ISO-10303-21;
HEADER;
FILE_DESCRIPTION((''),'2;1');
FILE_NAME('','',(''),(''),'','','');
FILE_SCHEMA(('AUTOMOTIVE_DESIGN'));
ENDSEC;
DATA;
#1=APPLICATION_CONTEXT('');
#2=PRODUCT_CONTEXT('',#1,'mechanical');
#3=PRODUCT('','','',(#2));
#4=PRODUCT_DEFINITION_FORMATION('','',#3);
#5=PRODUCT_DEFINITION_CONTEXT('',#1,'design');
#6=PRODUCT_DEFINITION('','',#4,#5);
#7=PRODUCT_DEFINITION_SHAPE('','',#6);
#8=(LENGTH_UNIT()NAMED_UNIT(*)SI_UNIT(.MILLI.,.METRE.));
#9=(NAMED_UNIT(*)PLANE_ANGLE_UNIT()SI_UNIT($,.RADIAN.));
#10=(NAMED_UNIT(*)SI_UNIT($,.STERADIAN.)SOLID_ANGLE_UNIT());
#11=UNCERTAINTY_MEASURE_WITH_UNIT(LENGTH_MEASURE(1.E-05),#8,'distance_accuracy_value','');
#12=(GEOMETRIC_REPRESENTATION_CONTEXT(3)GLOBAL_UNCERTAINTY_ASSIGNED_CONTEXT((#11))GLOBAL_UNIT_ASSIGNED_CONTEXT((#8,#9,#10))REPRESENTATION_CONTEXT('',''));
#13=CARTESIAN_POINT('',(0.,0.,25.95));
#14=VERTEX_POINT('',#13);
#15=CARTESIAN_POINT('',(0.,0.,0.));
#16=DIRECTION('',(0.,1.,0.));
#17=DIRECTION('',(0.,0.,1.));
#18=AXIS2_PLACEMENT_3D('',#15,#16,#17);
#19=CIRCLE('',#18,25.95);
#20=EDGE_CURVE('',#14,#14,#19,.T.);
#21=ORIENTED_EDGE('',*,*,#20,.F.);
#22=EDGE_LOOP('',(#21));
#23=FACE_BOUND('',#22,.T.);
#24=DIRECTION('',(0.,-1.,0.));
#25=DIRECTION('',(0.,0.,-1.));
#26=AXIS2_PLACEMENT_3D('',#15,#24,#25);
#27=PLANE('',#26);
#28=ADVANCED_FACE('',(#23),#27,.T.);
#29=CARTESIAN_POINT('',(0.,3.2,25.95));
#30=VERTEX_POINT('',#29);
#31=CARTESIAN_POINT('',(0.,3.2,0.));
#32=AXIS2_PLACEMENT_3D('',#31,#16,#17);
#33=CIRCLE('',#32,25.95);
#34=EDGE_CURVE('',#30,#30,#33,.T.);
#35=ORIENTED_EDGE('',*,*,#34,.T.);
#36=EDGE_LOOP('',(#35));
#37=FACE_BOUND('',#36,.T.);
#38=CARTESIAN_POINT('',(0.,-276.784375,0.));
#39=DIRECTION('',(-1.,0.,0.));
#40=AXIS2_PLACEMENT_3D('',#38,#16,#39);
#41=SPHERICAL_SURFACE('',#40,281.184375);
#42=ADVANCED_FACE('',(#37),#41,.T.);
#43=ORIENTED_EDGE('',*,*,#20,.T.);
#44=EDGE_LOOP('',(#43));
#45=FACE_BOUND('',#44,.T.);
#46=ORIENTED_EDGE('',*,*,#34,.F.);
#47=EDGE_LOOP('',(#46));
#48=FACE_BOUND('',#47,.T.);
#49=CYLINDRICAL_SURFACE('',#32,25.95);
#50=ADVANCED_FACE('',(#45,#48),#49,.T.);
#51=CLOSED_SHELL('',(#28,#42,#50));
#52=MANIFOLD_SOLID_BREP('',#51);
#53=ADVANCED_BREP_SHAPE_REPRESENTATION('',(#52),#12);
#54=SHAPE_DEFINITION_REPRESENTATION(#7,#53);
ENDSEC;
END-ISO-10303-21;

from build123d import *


with BuildPart() as part:
    # Sketch1 → Revolve1 (revolve)
    with BuildSketch(Plane.XY):
        with BuildLine():
            Line((0, 0), (-25.95, 0))
            Line((-25.95, 0), (-25.95, 3.2))
            ThreePointArc((-25.95, 3.2), (-12.988865424, 4.099839792), (0, 4.4))
            Line((0, 4.4), (0, 3.2))
            Line((0, 3.2), (0, 0))
        make_face()
    revolve(axis=Axis((0, 3.2, 0), (0, -1, 0)))


solid = part.part
